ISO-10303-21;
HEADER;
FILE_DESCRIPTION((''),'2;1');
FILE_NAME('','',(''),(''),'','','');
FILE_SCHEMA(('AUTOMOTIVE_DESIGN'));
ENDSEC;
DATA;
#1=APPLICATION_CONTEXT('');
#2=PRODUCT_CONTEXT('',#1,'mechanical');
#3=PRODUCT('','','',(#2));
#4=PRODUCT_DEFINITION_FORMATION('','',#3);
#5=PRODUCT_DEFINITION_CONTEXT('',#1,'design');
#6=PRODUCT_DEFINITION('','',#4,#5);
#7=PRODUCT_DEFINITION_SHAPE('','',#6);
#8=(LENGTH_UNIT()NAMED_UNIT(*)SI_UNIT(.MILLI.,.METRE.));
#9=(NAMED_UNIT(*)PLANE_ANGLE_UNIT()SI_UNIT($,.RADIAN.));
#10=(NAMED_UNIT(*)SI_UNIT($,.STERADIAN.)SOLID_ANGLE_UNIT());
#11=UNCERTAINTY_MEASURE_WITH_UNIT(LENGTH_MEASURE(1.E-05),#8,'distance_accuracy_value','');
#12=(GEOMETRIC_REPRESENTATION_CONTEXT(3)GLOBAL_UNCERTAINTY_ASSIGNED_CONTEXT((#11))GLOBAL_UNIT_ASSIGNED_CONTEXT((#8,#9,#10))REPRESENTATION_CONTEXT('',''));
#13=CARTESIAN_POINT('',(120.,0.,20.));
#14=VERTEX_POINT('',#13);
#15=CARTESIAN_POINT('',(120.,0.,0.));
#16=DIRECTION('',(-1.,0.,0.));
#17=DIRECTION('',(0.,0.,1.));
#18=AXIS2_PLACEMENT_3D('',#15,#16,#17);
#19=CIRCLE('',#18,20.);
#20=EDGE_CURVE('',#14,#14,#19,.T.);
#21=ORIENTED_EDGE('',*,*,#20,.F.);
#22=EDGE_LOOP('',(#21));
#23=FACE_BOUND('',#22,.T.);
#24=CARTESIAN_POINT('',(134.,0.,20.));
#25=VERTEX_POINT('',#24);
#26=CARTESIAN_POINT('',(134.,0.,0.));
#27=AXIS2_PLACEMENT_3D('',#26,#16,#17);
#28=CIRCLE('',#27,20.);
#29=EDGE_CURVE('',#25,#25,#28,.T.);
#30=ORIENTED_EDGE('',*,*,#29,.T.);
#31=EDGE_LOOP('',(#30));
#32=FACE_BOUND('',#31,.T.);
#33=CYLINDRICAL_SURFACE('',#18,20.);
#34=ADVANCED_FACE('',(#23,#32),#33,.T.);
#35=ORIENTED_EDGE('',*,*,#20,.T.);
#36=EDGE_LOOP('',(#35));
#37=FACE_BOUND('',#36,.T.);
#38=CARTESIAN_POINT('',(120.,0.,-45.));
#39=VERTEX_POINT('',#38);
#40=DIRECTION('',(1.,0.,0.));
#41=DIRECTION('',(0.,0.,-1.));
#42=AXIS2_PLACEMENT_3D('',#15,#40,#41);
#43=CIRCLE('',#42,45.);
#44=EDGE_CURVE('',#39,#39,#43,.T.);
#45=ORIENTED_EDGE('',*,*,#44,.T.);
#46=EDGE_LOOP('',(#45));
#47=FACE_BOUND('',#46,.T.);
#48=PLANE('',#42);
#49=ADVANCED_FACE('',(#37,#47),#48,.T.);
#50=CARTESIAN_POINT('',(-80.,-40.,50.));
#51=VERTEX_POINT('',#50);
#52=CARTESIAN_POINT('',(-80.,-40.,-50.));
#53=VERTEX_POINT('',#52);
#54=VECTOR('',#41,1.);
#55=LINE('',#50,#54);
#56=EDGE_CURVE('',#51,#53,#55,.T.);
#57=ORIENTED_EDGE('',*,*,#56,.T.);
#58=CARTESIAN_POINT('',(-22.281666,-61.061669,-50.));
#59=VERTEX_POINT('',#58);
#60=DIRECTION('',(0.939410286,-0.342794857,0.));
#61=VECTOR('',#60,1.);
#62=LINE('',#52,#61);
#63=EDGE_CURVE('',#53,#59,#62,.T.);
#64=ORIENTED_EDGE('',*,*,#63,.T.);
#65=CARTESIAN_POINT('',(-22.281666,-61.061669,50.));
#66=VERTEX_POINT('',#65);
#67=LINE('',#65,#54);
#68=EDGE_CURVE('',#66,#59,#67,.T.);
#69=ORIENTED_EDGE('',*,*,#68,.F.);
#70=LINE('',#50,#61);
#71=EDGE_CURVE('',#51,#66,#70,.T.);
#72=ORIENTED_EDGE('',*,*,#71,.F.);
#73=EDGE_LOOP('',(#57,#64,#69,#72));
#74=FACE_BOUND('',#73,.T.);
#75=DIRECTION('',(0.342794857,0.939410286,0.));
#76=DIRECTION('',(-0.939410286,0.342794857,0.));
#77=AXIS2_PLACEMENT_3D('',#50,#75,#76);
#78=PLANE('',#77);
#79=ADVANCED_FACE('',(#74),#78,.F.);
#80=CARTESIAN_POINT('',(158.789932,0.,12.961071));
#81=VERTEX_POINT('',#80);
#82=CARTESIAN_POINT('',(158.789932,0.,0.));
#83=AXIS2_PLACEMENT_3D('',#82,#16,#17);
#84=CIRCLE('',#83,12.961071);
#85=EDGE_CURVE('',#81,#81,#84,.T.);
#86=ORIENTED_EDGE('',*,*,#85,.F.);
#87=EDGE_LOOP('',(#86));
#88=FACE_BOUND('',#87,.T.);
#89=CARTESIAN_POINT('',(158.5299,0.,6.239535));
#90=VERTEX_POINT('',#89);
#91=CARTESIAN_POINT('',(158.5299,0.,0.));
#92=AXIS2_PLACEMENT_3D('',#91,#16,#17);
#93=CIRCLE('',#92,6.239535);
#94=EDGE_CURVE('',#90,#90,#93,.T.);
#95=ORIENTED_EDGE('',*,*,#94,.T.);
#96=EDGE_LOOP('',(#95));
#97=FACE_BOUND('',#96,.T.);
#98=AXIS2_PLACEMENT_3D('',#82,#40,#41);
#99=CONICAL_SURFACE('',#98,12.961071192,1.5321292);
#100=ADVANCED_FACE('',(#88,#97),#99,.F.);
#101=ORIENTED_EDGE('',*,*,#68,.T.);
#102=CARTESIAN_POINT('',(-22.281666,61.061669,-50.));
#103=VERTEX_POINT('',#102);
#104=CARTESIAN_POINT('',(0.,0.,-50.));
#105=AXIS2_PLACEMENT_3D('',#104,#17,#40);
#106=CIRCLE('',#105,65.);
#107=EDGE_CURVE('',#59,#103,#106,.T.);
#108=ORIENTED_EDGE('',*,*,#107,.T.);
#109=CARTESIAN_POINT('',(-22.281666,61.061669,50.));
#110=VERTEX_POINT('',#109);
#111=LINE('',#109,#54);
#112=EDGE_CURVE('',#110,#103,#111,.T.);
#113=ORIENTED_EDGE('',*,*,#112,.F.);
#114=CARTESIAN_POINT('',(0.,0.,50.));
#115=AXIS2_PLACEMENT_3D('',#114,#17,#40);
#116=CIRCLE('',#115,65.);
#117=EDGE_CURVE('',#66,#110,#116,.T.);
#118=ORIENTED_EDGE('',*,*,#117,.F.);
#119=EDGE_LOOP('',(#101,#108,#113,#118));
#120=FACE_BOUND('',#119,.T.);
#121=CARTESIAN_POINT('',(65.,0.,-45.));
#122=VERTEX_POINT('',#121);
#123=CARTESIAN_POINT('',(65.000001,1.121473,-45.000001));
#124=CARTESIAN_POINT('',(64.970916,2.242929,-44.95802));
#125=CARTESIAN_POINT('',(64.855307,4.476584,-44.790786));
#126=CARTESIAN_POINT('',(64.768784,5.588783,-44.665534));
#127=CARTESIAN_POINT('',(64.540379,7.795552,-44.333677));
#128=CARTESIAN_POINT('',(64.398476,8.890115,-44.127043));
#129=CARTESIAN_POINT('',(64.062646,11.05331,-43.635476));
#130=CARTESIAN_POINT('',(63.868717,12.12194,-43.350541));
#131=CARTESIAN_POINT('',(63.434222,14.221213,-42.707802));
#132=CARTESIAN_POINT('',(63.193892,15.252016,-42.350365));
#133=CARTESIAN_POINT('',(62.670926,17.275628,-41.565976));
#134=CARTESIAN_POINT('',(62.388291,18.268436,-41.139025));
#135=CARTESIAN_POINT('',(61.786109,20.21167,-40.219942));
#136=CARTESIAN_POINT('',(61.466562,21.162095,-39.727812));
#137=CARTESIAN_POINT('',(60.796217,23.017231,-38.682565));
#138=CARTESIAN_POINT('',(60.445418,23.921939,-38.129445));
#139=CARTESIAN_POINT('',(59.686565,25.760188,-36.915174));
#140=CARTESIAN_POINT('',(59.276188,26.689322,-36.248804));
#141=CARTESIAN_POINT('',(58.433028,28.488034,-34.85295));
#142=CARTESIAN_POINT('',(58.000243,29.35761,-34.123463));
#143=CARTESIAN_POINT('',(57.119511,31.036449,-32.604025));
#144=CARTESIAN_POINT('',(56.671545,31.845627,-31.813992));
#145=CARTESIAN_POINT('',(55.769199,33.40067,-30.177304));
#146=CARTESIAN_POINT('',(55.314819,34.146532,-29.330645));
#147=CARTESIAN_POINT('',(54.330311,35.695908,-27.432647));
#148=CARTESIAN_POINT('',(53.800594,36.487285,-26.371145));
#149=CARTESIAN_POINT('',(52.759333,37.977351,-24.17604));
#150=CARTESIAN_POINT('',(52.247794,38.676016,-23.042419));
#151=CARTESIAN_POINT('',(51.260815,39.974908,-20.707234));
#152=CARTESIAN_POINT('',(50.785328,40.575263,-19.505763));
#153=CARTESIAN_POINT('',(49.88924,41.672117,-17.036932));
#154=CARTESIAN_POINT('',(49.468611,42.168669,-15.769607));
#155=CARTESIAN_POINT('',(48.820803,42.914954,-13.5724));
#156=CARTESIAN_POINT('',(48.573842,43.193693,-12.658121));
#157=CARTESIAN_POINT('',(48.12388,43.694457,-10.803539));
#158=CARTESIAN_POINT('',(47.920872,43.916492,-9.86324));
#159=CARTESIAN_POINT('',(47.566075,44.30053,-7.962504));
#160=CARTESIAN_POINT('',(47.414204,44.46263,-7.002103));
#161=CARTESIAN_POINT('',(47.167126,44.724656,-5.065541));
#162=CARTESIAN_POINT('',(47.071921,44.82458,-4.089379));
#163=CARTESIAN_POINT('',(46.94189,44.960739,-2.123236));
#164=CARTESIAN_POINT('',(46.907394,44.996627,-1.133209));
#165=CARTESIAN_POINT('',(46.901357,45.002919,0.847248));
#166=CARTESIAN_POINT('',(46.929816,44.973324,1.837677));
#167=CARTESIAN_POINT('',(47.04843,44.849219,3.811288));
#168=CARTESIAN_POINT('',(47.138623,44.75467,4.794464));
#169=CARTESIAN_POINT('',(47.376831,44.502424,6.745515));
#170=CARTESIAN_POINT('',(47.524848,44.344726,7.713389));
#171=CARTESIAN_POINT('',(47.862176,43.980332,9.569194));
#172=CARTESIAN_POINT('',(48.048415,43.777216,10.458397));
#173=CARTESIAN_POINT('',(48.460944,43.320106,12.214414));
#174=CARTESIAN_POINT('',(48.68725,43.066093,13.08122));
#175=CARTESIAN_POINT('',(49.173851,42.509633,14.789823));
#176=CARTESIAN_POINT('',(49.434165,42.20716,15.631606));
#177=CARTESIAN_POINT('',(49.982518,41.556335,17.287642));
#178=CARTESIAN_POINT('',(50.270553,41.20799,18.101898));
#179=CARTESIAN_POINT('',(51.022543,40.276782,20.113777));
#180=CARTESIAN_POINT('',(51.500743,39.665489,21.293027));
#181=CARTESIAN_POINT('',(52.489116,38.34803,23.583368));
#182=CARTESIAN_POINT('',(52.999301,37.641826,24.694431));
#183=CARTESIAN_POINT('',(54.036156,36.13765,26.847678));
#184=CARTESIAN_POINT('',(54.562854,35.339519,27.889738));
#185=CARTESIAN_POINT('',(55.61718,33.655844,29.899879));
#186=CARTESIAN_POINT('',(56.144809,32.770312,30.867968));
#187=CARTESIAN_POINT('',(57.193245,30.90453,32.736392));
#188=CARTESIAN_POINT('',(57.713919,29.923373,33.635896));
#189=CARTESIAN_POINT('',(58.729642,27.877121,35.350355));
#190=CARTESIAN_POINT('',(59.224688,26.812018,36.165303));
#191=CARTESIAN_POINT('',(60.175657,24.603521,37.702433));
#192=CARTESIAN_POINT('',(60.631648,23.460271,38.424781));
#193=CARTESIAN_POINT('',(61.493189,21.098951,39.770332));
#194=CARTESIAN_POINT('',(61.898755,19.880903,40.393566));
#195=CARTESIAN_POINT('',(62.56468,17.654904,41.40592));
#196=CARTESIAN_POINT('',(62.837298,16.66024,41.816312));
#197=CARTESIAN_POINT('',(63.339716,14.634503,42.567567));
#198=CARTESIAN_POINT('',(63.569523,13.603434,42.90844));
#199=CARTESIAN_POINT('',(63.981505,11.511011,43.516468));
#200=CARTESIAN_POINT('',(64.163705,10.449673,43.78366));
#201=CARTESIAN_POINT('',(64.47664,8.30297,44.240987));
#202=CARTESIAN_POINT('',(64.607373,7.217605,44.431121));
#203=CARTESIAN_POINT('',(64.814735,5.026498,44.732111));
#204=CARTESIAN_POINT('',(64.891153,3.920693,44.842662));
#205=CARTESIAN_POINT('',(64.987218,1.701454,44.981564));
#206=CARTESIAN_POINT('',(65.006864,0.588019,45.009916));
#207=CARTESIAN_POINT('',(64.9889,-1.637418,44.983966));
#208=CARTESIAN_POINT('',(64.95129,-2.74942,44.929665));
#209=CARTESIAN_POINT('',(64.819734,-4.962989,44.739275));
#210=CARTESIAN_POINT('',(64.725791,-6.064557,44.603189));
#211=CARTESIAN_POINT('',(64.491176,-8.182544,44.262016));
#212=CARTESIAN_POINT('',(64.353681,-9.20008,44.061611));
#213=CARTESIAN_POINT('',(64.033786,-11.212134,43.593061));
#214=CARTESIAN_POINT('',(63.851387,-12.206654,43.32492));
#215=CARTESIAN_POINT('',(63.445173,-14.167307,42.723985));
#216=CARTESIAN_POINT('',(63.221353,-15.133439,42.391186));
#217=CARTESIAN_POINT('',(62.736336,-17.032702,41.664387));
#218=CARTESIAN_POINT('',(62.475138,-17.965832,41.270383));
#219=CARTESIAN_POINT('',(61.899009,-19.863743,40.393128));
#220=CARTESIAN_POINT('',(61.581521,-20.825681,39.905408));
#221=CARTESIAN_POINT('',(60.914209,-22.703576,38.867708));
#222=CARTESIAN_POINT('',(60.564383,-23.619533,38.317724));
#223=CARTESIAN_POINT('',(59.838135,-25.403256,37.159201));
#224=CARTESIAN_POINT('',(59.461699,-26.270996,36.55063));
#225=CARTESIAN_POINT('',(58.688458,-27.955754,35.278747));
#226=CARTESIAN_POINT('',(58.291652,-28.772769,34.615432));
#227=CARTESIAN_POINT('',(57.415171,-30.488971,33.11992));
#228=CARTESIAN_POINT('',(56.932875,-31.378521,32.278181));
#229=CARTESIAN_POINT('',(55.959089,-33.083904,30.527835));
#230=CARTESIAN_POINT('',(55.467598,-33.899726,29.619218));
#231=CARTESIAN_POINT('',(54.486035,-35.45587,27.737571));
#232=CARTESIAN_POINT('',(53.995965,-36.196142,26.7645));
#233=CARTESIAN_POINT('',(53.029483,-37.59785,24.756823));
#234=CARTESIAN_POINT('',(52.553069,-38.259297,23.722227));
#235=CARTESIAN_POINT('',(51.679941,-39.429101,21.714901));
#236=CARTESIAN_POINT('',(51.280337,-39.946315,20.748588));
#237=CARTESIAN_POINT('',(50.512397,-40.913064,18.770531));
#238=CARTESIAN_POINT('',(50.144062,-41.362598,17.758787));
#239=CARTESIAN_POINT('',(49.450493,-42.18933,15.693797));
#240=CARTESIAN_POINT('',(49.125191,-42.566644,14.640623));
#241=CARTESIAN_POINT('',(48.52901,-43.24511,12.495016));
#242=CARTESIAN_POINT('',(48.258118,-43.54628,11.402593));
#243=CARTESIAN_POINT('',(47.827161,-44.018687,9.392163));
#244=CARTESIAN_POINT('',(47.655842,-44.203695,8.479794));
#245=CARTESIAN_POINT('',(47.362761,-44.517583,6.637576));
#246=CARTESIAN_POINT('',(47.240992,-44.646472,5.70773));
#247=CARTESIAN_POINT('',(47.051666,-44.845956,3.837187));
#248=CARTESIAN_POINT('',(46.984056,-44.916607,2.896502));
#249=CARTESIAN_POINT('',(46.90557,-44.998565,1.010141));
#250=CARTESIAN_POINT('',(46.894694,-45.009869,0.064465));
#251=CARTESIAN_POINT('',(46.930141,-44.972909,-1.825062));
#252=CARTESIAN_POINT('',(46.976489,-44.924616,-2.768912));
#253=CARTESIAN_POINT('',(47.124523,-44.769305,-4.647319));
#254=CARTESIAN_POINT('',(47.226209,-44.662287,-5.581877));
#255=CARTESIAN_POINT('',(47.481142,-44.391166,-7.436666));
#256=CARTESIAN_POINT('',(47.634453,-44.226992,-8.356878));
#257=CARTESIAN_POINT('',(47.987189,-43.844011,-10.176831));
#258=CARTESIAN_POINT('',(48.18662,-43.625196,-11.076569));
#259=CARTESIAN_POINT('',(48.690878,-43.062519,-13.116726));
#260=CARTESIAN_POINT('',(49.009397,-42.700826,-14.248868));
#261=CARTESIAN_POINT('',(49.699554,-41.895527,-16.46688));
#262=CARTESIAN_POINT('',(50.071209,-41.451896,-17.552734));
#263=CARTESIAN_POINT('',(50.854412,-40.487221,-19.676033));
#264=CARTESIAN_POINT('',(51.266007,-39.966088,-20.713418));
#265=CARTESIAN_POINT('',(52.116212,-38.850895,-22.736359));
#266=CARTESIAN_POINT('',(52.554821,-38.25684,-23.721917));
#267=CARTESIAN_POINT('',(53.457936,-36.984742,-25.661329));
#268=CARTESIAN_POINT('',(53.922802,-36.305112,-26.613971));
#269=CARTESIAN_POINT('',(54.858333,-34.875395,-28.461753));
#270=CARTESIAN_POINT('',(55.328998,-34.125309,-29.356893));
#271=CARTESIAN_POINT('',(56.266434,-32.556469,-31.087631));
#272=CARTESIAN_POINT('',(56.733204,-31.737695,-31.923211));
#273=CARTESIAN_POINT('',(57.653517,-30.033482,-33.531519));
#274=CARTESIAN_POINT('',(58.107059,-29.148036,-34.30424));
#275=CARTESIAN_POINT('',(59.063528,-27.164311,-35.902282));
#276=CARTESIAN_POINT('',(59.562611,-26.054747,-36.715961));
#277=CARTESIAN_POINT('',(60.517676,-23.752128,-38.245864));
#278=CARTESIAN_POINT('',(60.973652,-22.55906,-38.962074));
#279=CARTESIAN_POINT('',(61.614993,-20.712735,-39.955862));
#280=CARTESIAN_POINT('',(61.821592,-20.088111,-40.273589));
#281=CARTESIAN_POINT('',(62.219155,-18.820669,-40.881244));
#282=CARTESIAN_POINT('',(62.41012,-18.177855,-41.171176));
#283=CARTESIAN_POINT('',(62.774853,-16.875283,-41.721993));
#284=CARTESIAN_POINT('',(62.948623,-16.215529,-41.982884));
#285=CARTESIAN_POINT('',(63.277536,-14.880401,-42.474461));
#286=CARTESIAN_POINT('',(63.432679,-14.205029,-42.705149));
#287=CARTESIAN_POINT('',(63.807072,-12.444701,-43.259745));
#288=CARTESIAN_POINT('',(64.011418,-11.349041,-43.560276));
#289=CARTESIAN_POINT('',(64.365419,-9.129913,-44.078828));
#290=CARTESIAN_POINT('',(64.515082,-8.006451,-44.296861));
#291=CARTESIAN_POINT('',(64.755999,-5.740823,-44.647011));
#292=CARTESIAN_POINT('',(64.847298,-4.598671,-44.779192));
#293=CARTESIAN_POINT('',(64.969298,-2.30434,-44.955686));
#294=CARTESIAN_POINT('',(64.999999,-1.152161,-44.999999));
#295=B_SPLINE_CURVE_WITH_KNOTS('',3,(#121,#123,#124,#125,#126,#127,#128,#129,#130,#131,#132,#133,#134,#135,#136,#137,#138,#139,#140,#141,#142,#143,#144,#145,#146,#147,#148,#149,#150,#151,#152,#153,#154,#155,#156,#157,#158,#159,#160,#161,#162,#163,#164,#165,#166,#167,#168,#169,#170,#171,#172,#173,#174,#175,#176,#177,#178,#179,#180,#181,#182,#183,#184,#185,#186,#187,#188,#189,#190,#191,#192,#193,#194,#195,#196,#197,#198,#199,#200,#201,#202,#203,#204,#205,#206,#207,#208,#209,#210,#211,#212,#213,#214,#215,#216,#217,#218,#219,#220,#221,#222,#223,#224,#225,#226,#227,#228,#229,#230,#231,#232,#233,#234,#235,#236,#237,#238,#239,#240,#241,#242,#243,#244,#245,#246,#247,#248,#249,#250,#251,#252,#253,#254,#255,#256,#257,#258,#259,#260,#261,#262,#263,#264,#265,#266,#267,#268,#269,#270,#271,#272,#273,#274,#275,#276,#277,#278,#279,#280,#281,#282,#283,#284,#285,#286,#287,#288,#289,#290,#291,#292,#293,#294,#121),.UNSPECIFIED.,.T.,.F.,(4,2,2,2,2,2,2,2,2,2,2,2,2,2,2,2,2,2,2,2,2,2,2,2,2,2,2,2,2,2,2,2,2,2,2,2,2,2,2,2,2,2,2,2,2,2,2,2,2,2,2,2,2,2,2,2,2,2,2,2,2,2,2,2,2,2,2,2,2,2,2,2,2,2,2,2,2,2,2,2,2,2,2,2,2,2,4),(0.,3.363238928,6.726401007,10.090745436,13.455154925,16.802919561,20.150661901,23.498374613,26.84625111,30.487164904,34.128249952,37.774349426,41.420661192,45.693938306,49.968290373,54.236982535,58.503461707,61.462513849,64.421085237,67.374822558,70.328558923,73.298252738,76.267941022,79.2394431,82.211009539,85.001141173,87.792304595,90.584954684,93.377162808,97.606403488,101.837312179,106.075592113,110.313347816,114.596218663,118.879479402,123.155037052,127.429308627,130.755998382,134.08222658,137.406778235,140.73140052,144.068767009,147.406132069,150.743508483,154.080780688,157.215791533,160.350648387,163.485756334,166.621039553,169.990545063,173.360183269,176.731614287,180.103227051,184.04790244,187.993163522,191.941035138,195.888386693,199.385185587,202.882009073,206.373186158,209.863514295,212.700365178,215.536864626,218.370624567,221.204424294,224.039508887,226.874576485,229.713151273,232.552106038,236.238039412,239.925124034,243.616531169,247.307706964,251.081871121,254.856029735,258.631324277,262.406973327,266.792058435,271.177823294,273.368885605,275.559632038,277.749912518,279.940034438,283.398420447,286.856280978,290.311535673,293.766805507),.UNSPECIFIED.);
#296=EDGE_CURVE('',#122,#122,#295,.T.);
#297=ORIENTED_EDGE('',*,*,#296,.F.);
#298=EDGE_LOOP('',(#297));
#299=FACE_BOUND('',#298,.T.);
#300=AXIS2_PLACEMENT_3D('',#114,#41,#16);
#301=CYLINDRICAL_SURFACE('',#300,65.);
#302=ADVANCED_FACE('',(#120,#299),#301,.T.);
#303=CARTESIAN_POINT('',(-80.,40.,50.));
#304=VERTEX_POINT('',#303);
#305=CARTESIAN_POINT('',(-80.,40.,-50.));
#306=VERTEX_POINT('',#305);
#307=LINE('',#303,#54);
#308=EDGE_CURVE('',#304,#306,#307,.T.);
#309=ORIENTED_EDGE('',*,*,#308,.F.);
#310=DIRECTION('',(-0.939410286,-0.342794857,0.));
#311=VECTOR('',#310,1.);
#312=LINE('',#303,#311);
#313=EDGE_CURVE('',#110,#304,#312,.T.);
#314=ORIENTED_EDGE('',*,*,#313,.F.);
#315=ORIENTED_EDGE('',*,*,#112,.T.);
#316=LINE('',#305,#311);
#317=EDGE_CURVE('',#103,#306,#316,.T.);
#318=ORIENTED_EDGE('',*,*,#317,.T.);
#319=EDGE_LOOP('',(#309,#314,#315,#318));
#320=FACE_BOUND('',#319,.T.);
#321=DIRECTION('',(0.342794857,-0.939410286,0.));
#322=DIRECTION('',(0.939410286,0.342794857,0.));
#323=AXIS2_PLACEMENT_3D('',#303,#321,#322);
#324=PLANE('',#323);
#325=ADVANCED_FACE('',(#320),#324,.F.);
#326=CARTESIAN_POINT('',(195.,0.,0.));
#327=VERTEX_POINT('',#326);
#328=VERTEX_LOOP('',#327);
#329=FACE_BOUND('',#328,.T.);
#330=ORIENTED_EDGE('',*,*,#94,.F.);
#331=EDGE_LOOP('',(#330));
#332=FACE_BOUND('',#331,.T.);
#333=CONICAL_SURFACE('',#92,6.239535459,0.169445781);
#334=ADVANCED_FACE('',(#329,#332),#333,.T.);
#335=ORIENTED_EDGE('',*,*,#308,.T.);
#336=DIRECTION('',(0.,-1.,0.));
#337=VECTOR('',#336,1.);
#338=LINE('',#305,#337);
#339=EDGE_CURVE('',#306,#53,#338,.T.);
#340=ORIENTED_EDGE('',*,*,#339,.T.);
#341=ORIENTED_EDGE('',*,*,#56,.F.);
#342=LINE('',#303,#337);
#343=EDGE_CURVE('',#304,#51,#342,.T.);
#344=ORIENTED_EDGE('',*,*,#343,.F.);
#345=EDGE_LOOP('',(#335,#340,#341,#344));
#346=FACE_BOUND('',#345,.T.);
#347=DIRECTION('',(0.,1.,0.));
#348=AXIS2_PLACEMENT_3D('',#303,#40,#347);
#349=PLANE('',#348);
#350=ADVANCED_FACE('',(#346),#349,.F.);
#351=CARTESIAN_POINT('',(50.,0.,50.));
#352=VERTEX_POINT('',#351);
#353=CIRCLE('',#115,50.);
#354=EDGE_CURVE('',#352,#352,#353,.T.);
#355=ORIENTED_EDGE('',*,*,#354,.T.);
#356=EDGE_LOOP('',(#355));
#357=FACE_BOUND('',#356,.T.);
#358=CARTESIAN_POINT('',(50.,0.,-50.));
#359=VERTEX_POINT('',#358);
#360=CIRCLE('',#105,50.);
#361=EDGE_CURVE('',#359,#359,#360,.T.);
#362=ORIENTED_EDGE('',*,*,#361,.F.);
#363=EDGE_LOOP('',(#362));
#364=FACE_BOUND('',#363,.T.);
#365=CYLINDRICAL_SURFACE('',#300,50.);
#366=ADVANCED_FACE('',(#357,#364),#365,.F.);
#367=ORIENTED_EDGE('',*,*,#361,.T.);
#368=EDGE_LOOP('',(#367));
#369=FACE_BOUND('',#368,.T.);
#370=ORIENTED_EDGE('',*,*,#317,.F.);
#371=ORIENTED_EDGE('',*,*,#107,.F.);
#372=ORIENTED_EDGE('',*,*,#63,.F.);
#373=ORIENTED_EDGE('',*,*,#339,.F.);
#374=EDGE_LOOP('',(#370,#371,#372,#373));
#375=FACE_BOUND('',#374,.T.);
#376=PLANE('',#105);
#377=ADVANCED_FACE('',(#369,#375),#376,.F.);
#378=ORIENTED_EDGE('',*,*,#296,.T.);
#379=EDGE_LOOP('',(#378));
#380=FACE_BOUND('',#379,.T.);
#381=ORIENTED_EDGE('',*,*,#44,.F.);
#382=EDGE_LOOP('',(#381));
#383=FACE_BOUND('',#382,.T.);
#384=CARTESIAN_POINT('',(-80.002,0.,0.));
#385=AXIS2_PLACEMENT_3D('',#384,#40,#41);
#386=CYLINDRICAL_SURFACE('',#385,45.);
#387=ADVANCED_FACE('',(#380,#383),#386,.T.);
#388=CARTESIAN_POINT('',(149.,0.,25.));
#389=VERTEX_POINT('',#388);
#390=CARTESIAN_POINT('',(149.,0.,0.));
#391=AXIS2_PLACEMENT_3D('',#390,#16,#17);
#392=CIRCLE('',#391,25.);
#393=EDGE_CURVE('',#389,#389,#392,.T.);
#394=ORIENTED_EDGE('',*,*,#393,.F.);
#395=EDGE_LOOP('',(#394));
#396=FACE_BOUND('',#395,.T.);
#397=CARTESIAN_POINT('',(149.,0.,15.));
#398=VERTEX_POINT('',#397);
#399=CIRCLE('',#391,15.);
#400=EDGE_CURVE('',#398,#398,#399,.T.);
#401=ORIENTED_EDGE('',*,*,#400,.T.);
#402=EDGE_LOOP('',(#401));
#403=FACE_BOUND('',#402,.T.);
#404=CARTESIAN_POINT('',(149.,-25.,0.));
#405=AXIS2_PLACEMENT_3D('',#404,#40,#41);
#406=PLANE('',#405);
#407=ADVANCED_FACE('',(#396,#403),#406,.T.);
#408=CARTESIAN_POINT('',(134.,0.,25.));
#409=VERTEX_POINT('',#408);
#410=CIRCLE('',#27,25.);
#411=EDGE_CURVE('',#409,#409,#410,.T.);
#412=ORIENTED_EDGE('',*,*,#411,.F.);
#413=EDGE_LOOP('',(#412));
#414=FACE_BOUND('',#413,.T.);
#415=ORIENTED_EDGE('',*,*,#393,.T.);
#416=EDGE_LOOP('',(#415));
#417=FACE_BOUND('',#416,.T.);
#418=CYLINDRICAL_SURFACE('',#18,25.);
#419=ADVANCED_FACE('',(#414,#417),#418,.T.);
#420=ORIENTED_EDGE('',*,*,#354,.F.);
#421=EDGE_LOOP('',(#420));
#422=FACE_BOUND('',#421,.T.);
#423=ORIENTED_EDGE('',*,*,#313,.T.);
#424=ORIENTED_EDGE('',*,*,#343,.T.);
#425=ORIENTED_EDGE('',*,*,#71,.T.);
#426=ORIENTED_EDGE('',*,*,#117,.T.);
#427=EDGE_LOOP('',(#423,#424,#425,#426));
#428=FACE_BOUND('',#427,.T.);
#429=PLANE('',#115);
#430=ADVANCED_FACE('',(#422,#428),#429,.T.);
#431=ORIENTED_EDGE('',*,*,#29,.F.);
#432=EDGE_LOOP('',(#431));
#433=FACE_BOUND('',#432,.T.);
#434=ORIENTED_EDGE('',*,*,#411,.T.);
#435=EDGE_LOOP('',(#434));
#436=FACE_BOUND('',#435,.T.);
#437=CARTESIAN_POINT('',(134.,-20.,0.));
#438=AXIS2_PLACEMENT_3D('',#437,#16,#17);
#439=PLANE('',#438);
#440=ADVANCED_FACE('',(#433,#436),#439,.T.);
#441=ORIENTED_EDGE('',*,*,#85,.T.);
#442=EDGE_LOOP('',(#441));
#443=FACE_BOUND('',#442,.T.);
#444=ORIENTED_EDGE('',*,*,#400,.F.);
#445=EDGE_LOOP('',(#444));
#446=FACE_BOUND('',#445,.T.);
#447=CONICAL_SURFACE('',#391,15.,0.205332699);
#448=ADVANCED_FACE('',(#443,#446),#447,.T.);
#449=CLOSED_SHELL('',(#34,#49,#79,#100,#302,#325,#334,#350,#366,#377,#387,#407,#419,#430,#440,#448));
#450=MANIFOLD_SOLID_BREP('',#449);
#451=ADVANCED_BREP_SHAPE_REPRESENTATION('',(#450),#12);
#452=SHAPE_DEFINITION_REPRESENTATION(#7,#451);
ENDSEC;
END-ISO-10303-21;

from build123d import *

# Parameters (mm, degrees)
SKETCH1_R           = 50
BOSS_EXTRUDE1_DEPTH = 50
BOSS_EXTRUDE2_REACH = 202
SKETCH2_R           = 45


with BuildPart() as part:
    # Sketch1 → Boss-Extrude1 (new body, symmetric)
    with BuildSketch(Plane.XY):
        with BuildLine():
            Line((-80, 40), (-80, -40))
            Line((-80, -40), (-22.281665693, -61.061668614))
            ThreePointArc((-22.281665693, -61.061668614), (65, 0), (-22.281665693, 61.061668614))
            Line((-22.281665693, 61.061668614), (-80, 40))
        make_face()
        Circle(SKETCH1_R, mode=Mode.SUBTRACT)
    extrude(amount=BOSS_EXTRUDE1_DEPTH, both=True)

    # Sketch2 → Boss-Extrude2 (add, up to next)
    with BuildSketch(Plane(origin=(120, 0, 0), x_dir=(0, 0, -1), z_dir=(1, 0, 0)), mode=Mode.PRIVATE) as boss_extrude2_sk1:
        Circle(SKETCH2_R)
    boss_extrude2_tool1 = extrude(boss_extrude2_sk1.sketch, amount=-BOSS_EXTRUDE2_REACH, mode=Mode.PRIVATE) - part.part
    add(boss_extrude2_tool1.solids().sort_by_distance((120, 0, 0))[0])

    # Sketch4 → Revolve1 (revolve)
    with BuildSketch(Plane.XY):
        Polygon((120, -20), (134, -20), (134, -25), (149, -25), (149, -15), (158.789932038, -12.961071192), (158.529899955, -6.239535459), (195, 0), (120, 0), align=None)
    revolve(axis=Axis((120, 0, 0), (1, 0, 0)))


solid = part.part
